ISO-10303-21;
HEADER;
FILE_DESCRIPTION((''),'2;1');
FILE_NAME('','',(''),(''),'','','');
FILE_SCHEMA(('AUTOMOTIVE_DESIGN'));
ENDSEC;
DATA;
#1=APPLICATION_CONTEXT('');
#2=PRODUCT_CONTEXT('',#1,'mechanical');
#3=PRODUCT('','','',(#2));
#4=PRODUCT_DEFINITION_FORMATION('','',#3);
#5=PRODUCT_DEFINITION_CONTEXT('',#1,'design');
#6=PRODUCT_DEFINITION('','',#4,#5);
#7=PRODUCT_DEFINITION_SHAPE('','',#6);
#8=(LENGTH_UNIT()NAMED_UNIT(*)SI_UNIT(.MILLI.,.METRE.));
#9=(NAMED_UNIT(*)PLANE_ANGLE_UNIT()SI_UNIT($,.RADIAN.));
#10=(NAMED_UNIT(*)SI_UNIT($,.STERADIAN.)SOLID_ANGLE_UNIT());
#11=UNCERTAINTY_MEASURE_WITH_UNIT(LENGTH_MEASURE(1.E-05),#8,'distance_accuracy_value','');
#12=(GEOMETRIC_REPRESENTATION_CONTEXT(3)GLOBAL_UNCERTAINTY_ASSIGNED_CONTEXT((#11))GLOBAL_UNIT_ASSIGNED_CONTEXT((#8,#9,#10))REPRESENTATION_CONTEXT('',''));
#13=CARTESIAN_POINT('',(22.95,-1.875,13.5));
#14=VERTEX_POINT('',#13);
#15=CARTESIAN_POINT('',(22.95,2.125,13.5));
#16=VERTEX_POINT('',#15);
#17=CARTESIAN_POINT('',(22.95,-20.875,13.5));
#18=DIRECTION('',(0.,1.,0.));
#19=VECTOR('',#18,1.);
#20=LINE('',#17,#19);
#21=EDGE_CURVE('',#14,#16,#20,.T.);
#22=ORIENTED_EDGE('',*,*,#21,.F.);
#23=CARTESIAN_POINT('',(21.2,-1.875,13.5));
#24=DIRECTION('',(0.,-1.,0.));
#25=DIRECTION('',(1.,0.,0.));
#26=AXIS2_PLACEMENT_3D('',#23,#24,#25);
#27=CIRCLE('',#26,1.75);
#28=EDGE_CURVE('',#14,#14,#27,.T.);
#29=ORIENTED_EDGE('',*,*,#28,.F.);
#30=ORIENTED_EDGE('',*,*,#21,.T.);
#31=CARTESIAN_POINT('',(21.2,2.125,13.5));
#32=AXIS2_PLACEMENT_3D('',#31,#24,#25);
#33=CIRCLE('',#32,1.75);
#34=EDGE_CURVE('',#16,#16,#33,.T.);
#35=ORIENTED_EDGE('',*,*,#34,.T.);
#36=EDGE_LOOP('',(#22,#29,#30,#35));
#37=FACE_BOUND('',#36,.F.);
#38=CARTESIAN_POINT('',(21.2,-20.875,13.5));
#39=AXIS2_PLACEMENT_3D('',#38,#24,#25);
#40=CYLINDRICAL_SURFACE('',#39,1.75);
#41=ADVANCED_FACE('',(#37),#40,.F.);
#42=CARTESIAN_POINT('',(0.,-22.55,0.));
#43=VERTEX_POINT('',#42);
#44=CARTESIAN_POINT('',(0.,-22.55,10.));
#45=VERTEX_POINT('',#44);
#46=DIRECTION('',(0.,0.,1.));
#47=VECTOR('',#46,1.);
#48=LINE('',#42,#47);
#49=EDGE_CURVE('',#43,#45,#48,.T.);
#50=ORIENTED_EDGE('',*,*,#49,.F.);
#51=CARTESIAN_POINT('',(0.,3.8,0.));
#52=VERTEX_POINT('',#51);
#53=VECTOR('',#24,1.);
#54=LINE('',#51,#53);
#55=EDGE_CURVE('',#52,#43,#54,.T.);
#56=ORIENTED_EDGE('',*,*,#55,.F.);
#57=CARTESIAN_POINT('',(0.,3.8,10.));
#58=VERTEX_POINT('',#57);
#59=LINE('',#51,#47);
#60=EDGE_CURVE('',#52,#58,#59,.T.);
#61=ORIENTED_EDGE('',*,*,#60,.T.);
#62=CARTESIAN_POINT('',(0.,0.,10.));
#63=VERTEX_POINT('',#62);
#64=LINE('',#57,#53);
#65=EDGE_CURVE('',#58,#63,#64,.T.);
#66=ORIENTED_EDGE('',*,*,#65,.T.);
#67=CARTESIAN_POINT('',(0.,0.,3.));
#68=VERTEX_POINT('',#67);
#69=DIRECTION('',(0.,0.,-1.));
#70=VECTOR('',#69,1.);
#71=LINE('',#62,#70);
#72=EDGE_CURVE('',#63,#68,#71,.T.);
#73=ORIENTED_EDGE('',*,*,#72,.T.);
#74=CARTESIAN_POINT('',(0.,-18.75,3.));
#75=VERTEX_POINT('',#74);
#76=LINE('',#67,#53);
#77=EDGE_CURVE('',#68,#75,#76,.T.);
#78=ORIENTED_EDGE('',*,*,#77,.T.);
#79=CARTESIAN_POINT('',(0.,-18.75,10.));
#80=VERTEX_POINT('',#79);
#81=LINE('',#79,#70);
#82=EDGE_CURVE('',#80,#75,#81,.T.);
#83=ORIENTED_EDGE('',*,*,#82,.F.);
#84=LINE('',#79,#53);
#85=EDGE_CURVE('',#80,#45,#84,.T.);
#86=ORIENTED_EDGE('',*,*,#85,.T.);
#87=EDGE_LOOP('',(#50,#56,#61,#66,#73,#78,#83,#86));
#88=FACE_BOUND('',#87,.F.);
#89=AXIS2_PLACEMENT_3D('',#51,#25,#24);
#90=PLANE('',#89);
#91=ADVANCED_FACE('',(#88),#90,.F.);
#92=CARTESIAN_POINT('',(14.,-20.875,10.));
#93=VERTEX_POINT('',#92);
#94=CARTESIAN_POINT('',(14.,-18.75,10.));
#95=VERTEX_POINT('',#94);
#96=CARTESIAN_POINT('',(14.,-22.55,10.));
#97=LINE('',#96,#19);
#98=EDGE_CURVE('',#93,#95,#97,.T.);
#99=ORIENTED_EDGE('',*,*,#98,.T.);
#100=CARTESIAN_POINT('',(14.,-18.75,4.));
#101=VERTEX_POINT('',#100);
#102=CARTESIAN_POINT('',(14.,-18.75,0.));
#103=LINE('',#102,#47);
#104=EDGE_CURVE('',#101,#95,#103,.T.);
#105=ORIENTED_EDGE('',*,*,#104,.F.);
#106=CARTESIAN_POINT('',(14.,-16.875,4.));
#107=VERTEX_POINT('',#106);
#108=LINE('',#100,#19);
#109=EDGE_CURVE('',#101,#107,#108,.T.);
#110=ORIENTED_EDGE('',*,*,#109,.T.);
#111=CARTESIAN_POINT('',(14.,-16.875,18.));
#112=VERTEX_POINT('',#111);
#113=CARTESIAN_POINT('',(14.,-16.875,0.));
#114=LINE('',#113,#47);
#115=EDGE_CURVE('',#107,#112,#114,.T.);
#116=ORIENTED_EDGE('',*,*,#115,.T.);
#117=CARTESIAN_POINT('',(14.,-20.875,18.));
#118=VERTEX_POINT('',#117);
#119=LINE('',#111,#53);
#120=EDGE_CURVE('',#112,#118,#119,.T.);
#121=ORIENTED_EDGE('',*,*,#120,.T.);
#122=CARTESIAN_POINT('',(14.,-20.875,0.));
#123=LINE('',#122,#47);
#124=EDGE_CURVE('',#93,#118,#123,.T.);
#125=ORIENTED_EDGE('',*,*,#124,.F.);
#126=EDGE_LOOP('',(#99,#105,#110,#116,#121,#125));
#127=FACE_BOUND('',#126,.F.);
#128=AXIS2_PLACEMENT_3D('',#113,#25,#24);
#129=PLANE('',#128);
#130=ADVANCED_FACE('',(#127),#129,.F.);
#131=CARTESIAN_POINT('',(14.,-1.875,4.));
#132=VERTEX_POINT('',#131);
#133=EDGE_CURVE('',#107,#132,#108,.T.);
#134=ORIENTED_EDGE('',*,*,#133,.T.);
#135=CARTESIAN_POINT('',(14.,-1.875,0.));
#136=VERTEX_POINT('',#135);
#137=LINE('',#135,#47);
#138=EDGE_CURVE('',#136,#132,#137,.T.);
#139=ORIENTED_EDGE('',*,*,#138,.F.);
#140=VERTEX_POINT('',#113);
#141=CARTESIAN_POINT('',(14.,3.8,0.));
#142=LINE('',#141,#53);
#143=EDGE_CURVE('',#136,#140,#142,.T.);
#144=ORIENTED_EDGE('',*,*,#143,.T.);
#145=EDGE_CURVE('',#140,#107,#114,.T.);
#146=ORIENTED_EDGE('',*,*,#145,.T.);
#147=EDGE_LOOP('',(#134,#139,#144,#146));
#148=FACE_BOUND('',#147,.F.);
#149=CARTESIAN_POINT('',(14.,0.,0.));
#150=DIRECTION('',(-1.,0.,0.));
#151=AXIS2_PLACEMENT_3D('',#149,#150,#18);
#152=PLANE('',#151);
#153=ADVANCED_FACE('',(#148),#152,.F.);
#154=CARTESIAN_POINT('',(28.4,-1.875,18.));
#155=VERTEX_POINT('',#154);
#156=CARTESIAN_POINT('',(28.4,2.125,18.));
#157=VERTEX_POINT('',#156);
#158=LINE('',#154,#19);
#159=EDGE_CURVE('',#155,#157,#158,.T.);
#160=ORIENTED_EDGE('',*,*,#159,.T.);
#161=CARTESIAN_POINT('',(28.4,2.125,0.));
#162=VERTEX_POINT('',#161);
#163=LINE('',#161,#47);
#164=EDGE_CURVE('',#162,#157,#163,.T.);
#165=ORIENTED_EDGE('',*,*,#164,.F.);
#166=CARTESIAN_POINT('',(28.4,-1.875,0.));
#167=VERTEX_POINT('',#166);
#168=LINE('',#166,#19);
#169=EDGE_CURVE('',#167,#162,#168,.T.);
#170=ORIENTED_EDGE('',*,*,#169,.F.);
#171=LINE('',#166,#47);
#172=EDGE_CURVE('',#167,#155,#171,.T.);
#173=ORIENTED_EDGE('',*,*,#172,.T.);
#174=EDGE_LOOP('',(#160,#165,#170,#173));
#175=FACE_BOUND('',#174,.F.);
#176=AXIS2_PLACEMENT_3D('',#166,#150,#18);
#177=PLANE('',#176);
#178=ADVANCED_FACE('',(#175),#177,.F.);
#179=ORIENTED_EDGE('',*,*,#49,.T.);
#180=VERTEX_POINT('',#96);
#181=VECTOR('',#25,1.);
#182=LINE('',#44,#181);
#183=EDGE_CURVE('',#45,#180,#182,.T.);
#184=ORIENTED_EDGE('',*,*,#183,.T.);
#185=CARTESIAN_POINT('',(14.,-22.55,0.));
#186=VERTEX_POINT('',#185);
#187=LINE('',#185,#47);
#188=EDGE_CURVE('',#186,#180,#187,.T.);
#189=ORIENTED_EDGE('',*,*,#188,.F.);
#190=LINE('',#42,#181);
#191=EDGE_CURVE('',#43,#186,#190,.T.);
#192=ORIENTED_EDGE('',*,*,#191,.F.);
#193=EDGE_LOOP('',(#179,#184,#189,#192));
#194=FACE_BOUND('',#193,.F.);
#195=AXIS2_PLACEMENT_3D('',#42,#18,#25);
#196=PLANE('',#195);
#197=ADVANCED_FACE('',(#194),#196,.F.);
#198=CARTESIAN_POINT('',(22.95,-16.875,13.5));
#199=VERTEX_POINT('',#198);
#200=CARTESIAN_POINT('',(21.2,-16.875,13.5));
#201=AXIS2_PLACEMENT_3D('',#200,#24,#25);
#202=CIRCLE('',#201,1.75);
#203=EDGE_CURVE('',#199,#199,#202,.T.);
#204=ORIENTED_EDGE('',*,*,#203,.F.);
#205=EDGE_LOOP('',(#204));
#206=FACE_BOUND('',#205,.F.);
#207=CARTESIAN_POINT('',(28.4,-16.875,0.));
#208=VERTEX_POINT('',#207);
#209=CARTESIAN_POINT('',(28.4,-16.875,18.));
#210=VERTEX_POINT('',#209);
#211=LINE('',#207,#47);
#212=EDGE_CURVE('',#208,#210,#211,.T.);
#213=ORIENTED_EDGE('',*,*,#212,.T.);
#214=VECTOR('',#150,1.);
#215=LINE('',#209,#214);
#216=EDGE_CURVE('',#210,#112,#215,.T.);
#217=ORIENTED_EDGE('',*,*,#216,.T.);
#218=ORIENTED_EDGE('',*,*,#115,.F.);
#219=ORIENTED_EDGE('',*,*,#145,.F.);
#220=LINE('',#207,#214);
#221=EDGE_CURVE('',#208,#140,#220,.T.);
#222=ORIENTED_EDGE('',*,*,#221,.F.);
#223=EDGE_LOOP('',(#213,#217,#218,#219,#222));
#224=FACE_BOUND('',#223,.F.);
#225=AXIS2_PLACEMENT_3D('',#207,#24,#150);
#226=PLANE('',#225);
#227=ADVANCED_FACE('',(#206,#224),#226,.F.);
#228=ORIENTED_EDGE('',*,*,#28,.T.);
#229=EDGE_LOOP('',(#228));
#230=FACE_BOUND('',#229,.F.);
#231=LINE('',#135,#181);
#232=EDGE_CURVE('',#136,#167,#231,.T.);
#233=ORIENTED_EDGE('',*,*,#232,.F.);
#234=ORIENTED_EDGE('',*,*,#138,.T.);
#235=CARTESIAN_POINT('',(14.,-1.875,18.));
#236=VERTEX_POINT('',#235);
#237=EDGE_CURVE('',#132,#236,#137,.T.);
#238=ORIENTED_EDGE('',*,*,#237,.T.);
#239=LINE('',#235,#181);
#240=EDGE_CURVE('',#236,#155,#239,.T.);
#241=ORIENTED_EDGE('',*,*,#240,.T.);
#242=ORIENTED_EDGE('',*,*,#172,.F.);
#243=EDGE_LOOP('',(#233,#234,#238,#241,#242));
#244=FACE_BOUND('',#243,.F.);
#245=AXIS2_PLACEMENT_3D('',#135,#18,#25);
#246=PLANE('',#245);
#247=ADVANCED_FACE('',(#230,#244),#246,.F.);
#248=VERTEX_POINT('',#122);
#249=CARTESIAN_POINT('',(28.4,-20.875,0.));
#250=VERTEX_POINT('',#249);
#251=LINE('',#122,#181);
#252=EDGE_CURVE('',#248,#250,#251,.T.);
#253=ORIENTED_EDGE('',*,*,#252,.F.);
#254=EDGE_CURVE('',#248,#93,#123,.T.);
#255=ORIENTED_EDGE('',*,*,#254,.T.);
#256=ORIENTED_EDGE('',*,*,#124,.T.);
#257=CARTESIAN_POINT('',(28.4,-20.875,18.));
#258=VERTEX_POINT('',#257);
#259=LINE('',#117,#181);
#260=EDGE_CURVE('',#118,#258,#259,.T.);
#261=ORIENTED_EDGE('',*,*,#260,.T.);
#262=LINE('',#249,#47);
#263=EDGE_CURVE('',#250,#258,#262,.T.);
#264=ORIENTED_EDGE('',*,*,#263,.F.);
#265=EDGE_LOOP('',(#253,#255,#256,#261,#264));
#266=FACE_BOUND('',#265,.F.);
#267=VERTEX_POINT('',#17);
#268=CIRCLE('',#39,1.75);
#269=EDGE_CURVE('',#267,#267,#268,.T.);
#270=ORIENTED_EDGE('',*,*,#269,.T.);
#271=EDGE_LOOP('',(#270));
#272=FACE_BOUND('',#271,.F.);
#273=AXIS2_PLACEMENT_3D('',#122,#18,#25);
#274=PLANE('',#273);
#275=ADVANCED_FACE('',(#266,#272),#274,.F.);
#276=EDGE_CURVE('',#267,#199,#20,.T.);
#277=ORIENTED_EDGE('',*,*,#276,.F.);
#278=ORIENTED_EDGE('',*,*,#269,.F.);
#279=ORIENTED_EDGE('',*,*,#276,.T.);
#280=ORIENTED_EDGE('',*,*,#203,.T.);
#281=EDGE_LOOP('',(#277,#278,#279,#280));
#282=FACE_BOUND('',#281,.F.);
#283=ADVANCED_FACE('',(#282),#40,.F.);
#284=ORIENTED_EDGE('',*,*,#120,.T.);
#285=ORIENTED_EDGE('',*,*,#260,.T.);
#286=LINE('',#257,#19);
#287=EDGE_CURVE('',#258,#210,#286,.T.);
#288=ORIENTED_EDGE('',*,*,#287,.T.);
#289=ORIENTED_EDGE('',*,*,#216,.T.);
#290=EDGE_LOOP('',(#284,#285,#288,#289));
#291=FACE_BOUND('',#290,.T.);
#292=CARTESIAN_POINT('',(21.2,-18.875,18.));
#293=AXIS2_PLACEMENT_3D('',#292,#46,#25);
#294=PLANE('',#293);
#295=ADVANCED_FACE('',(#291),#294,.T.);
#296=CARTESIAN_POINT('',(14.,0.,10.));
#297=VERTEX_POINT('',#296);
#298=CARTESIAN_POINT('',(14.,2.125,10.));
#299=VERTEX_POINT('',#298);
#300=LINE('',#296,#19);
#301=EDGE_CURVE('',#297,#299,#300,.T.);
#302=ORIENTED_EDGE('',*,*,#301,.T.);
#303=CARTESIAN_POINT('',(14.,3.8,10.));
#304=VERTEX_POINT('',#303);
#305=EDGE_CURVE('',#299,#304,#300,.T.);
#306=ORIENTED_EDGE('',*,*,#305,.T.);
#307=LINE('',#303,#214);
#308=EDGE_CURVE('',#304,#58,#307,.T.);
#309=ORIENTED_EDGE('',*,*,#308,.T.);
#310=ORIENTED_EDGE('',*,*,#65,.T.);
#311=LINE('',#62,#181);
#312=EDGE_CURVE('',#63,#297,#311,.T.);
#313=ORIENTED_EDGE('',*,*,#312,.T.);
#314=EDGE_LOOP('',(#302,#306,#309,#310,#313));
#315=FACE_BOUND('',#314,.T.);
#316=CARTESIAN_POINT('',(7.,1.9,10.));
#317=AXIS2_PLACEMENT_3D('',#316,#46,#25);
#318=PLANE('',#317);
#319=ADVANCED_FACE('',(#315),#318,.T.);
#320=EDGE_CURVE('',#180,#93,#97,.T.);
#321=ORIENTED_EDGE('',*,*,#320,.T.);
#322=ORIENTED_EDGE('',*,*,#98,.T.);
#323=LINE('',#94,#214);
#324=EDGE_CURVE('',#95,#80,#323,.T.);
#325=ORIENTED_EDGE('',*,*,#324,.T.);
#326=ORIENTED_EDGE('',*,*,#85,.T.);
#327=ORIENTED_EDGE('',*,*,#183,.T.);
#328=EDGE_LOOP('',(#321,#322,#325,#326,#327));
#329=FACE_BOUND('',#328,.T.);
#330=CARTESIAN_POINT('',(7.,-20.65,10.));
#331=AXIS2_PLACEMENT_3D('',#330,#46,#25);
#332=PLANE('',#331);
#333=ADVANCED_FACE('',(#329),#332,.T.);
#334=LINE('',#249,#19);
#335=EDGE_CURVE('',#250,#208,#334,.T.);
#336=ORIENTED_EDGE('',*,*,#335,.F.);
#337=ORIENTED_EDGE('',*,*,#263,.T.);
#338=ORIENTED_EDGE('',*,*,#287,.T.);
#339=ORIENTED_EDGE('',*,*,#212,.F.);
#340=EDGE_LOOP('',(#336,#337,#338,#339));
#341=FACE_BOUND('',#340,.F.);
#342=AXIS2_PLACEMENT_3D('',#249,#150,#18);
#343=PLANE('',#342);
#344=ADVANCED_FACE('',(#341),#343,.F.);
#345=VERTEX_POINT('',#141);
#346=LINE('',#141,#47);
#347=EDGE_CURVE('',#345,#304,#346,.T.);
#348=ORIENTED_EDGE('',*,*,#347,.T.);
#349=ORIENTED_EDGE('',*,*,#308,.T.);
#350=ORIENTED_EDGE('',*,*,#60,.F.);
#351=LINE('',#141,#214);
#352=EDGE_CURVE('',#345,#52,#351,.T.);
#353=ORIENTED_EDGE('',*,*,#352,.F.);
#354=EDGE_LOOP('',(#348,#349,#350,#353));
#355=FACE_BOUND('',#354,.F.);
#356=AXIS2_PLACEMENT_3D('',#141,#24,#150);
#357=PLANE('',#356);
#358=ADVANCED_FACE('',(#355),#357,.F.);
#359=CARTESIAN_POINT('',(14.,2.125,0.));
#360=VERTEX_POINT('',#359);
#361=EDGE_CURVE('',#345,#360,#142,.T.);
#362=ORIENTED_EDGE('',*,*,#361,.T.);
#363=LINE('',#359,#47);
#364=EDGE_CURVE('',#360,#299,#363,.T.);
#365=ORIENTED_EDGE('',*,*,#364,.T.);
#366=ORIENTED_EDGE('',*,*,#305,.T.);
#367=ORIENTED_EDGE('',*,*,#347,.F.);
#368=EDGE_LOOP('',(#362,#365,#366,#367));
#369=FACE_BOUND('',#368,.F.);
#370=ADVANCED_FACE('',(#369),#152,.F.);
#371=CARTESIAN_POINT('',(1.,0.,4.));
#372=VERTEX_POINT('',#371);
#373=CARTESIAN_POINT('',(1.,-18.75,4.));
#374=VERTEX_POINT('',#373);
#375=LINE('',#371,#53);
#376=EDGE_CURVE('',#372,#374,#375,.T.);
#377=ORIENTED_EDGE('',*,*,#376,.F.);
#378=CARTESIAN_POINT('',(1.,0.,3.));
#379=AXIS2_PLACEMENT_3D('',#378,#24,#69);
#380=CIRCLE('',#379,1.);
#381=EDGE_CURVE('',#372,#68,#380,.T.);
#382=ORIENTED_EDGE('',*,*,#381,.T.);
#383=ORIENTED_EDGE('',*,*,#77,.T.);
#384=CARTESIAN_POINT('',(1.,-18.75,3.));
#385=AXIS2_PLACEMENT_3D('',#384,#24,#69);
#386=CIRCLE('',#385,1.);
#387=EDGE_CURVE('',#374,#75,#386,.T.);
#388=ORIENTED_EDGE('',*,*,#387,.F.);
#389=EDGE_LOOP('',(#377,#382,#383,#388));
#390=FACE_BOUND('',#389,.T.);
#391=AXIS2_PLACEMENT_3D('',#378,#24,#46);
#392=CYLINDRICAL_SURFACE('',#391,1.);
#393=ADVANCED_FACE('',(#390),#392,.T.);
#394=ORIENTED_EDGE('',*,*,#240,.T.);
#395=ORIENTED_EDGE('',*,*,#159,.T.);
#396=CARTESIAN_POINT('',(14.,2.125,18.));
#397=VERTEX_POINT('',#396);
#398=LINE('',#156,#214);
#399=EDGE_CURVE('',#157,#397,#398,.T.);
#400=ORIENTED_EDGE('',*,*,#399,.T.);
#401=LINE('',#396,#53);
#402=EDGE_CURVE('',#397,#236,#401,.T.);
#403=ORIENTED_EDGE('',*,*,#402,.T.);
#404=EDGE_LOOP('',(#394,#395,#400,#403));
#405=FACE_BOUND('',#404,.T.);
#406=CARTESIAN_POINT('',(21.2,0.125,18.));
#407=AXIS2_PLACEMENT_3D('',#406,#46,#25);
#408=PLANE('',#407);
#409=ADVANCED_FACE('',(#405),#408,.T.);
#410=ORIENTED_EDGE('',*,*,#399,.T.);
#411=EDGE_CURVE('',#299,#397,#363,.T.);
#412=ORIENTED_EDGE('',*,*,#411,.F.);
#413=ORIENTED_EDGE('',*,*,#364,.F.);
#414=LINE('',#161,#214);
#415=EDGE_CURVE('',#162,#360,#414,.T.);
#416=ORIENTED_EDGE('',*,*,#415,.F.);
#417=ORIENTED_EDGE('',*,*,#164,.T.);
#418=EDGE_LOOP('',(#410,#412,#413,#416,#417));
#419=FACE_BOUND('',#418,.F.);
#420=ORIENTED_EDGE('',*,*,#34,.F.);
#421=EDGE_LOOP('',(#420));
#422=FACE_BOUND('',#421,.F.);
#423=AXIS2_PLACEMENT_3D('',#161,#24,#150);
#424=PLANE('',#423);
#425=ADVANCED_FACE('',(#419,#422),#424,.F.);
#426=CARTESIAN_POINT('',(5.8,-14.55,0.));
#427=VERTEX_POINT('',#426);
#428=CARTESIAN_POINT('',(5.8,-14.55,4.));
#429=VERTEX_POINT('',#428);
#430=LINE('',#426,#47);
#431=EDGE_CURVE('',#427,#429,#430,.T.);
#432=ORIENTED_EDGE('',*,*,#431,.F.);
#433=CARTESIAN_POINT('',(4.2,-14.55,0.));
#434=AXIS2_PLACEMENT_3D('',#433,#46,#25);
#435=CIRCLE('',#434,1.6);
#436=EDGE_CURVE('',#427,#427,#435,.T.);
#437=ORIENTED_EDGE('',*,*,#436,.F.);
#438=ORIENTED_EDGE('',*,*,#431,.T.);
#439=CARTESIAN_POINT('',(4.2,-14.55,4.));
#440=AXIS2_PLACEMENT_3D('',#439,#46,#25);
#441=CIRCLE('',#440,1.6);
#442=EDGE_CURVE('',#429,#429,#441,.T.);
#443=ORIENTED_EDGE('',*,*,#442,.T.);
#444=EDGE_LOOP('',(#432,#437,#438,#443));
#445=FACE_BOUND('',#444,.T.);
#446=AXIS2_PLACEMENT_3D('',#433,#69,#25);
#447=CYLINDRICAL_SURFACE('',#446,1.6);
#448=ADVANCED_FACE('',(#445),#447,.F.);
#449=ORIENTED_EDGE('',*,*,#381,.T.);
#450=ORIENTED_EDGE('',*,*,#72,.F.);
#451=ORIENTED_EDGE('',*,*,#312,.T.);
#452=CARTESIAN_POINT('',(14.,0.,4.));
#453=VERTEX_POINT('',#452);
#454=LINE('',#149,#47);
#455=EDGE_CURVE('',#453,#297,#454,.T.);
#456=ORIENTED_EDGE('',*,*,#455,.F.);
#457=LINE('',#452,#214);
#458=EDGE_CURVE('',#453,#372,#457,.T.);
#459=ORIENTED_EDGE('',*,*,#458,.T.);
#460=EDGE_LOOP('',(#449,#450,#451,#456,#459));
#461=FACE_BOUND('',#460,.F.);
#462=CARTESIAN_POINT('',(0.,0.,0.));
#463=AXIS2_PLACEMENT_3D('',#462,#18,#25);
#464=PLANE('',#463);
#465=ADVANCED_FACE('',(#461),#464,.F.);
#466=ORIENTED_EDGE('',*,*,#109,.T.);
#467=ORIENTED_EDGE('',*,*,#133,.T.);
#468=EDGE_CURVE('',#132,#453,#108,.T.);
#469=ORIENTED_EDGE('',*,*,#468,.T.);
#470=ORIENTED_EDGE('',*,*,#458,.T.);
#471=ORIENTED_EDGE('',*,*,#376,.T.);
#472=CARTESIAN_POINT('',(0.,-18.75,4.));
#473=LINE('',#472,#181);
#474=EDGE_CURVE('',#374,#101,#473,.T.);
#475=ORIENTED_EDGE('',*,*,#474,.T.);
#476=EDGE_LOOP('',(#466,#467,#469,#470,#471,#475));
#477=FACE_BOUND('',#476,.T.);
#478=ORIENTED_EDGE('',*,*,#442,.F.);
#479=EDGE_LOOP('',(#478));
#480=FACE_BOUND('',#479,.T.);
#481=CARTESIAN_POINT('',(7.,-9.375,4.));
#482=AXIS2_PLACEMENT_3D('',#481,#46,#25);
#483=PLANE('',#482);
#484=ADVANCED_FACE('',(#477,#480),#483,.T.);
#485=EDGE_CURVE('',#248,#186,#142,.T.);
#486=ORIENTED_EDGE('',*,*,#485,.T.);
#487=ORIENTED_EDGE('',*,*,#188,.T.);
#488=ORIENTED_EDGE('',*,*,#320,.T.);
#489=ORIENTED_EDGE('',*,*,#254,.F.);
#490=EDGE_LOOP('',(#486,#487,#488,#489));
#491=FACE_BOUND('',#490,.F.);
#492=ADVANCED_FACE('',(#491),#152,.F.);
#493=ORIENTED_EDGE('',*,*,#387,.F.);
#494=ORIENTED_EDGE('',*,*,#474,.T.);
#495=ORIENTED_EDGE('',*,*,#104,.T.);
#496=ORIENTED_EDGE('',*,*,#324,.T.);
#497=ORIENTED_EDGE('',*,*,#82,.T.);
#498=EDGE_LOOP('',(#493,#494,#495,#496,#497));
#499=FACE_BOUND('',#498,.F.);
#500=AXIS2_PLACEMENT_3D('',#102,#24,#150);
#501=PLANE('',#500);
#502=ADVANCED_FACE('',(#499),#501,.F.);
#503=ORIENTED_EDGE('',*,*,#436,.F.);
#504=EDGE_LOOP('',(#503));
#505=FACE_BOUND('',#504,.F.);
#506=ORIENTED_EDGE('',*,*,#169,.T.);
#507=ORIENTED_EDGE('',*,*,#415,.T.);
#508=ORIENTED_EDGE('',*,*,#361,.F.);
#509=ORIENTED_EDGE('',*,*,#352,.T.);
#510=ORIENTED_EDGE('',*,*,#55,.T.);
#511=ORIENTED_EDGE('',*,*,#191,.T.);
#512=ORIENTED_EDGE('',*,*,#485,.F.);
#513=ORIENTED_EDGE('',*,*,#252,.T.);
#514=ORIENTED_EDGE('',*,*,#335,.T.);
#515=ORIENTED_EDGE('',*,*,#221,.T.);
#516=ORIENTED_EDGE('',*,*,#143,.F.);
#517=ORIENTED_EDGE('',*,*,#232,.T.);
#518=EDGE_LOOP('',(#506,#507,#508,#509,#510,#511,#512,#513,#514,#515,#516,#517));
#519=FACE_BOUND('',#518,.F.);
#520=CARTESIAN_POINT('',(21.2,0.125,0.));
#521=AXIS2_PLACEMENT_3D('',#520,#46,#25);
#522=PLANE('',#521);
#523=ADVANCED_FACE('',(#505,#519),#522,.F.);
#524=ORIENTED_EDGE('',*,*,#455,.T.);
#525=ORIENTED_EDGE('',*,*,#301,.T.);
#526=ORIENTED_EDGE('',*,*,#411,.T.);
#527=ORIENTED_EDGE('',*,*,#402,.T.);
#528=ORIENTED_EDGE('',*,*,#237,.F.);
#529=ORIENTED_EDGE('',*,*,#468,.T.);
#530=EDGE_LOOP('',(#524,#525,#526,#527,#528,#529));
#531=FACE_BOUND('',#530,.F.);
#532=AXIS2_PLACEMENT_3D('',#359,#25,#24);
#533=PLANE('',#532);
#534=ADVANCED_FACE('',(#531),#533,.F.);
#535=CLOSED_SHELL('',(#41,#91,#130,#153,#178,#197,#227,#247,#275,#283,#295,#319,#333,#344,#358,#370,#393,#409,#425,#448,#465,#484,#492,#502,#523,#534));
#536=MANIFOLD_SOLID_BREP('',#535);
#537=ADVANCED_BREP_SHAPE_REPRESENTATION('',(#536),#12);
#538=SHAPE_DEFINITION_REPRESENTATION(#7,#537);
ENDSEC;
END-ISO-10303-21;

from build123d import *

# Parameters (mm, degrees)
F0_R     = 1.6
F1_DEPTH = 4
F2_DEPTH = 10
F3_DEPTH = 18
F4_R     = 1.75
F5_DEPTH = 23
F6_R     = 1


with BuildPart() as f1:
    # F0 (on Top) → F1 (new body)
    with BuildSketch(Plane.XY):
        Polygon((14, 0), (0, 0), (0, -18.75), (14, -18.75), (14, -16.875), (14, -1.875), align=None)
        with Locations((4.2, -14.55)):
            Circle(F0_R, mode=Mode.SUBTRACT)
    extrude(amount=F1_DEPTH)

    # F0 (on Top) → F2 (join)
    with BuildSketch(Plane.XY):
        Polygon((0, 3.8), (0, 0), (14, 0), (14, 2.125), (14, 3.8), align=None)
        Polygon((14, -18.75), (0, -18.75), (0, -22.55), (14, -22.55), (14, -20.875), align=None)
    extrude(amount=F2_DEPTH)

    # F0 (on Top) → F3 (join)
    with BuildSketch(Plane.XY):
        Polygon((14, 2.125), (14, 0), (14, -1.875), (28.4, -1.875), (28.4, 2.125), align=None)
        Polygon((14, -16.875), (14, -18.75), (14, -20.875), (28.4, -20.875), (28.4, -16.875), align=None)
    extrude(amount=F3_DEPTH)

    # F4 (on face) → F5 (cut, through all)
    with BuildSketch(Plane.XZ.offset(20.875)):
        with Locations((21.2, 13.5)):
            Circle(F4_R)
    extrude(amount=-F5_DEPTH, mode=Mode.SUBTRACT)

    # F6
    f6_edges = [f1.edges().sort_by_distance(p)[0] for p in [
        (0, -9.375, 4),
    ]]
    fillet(f6_edges, radius=F6_R)


solid = f1.part
